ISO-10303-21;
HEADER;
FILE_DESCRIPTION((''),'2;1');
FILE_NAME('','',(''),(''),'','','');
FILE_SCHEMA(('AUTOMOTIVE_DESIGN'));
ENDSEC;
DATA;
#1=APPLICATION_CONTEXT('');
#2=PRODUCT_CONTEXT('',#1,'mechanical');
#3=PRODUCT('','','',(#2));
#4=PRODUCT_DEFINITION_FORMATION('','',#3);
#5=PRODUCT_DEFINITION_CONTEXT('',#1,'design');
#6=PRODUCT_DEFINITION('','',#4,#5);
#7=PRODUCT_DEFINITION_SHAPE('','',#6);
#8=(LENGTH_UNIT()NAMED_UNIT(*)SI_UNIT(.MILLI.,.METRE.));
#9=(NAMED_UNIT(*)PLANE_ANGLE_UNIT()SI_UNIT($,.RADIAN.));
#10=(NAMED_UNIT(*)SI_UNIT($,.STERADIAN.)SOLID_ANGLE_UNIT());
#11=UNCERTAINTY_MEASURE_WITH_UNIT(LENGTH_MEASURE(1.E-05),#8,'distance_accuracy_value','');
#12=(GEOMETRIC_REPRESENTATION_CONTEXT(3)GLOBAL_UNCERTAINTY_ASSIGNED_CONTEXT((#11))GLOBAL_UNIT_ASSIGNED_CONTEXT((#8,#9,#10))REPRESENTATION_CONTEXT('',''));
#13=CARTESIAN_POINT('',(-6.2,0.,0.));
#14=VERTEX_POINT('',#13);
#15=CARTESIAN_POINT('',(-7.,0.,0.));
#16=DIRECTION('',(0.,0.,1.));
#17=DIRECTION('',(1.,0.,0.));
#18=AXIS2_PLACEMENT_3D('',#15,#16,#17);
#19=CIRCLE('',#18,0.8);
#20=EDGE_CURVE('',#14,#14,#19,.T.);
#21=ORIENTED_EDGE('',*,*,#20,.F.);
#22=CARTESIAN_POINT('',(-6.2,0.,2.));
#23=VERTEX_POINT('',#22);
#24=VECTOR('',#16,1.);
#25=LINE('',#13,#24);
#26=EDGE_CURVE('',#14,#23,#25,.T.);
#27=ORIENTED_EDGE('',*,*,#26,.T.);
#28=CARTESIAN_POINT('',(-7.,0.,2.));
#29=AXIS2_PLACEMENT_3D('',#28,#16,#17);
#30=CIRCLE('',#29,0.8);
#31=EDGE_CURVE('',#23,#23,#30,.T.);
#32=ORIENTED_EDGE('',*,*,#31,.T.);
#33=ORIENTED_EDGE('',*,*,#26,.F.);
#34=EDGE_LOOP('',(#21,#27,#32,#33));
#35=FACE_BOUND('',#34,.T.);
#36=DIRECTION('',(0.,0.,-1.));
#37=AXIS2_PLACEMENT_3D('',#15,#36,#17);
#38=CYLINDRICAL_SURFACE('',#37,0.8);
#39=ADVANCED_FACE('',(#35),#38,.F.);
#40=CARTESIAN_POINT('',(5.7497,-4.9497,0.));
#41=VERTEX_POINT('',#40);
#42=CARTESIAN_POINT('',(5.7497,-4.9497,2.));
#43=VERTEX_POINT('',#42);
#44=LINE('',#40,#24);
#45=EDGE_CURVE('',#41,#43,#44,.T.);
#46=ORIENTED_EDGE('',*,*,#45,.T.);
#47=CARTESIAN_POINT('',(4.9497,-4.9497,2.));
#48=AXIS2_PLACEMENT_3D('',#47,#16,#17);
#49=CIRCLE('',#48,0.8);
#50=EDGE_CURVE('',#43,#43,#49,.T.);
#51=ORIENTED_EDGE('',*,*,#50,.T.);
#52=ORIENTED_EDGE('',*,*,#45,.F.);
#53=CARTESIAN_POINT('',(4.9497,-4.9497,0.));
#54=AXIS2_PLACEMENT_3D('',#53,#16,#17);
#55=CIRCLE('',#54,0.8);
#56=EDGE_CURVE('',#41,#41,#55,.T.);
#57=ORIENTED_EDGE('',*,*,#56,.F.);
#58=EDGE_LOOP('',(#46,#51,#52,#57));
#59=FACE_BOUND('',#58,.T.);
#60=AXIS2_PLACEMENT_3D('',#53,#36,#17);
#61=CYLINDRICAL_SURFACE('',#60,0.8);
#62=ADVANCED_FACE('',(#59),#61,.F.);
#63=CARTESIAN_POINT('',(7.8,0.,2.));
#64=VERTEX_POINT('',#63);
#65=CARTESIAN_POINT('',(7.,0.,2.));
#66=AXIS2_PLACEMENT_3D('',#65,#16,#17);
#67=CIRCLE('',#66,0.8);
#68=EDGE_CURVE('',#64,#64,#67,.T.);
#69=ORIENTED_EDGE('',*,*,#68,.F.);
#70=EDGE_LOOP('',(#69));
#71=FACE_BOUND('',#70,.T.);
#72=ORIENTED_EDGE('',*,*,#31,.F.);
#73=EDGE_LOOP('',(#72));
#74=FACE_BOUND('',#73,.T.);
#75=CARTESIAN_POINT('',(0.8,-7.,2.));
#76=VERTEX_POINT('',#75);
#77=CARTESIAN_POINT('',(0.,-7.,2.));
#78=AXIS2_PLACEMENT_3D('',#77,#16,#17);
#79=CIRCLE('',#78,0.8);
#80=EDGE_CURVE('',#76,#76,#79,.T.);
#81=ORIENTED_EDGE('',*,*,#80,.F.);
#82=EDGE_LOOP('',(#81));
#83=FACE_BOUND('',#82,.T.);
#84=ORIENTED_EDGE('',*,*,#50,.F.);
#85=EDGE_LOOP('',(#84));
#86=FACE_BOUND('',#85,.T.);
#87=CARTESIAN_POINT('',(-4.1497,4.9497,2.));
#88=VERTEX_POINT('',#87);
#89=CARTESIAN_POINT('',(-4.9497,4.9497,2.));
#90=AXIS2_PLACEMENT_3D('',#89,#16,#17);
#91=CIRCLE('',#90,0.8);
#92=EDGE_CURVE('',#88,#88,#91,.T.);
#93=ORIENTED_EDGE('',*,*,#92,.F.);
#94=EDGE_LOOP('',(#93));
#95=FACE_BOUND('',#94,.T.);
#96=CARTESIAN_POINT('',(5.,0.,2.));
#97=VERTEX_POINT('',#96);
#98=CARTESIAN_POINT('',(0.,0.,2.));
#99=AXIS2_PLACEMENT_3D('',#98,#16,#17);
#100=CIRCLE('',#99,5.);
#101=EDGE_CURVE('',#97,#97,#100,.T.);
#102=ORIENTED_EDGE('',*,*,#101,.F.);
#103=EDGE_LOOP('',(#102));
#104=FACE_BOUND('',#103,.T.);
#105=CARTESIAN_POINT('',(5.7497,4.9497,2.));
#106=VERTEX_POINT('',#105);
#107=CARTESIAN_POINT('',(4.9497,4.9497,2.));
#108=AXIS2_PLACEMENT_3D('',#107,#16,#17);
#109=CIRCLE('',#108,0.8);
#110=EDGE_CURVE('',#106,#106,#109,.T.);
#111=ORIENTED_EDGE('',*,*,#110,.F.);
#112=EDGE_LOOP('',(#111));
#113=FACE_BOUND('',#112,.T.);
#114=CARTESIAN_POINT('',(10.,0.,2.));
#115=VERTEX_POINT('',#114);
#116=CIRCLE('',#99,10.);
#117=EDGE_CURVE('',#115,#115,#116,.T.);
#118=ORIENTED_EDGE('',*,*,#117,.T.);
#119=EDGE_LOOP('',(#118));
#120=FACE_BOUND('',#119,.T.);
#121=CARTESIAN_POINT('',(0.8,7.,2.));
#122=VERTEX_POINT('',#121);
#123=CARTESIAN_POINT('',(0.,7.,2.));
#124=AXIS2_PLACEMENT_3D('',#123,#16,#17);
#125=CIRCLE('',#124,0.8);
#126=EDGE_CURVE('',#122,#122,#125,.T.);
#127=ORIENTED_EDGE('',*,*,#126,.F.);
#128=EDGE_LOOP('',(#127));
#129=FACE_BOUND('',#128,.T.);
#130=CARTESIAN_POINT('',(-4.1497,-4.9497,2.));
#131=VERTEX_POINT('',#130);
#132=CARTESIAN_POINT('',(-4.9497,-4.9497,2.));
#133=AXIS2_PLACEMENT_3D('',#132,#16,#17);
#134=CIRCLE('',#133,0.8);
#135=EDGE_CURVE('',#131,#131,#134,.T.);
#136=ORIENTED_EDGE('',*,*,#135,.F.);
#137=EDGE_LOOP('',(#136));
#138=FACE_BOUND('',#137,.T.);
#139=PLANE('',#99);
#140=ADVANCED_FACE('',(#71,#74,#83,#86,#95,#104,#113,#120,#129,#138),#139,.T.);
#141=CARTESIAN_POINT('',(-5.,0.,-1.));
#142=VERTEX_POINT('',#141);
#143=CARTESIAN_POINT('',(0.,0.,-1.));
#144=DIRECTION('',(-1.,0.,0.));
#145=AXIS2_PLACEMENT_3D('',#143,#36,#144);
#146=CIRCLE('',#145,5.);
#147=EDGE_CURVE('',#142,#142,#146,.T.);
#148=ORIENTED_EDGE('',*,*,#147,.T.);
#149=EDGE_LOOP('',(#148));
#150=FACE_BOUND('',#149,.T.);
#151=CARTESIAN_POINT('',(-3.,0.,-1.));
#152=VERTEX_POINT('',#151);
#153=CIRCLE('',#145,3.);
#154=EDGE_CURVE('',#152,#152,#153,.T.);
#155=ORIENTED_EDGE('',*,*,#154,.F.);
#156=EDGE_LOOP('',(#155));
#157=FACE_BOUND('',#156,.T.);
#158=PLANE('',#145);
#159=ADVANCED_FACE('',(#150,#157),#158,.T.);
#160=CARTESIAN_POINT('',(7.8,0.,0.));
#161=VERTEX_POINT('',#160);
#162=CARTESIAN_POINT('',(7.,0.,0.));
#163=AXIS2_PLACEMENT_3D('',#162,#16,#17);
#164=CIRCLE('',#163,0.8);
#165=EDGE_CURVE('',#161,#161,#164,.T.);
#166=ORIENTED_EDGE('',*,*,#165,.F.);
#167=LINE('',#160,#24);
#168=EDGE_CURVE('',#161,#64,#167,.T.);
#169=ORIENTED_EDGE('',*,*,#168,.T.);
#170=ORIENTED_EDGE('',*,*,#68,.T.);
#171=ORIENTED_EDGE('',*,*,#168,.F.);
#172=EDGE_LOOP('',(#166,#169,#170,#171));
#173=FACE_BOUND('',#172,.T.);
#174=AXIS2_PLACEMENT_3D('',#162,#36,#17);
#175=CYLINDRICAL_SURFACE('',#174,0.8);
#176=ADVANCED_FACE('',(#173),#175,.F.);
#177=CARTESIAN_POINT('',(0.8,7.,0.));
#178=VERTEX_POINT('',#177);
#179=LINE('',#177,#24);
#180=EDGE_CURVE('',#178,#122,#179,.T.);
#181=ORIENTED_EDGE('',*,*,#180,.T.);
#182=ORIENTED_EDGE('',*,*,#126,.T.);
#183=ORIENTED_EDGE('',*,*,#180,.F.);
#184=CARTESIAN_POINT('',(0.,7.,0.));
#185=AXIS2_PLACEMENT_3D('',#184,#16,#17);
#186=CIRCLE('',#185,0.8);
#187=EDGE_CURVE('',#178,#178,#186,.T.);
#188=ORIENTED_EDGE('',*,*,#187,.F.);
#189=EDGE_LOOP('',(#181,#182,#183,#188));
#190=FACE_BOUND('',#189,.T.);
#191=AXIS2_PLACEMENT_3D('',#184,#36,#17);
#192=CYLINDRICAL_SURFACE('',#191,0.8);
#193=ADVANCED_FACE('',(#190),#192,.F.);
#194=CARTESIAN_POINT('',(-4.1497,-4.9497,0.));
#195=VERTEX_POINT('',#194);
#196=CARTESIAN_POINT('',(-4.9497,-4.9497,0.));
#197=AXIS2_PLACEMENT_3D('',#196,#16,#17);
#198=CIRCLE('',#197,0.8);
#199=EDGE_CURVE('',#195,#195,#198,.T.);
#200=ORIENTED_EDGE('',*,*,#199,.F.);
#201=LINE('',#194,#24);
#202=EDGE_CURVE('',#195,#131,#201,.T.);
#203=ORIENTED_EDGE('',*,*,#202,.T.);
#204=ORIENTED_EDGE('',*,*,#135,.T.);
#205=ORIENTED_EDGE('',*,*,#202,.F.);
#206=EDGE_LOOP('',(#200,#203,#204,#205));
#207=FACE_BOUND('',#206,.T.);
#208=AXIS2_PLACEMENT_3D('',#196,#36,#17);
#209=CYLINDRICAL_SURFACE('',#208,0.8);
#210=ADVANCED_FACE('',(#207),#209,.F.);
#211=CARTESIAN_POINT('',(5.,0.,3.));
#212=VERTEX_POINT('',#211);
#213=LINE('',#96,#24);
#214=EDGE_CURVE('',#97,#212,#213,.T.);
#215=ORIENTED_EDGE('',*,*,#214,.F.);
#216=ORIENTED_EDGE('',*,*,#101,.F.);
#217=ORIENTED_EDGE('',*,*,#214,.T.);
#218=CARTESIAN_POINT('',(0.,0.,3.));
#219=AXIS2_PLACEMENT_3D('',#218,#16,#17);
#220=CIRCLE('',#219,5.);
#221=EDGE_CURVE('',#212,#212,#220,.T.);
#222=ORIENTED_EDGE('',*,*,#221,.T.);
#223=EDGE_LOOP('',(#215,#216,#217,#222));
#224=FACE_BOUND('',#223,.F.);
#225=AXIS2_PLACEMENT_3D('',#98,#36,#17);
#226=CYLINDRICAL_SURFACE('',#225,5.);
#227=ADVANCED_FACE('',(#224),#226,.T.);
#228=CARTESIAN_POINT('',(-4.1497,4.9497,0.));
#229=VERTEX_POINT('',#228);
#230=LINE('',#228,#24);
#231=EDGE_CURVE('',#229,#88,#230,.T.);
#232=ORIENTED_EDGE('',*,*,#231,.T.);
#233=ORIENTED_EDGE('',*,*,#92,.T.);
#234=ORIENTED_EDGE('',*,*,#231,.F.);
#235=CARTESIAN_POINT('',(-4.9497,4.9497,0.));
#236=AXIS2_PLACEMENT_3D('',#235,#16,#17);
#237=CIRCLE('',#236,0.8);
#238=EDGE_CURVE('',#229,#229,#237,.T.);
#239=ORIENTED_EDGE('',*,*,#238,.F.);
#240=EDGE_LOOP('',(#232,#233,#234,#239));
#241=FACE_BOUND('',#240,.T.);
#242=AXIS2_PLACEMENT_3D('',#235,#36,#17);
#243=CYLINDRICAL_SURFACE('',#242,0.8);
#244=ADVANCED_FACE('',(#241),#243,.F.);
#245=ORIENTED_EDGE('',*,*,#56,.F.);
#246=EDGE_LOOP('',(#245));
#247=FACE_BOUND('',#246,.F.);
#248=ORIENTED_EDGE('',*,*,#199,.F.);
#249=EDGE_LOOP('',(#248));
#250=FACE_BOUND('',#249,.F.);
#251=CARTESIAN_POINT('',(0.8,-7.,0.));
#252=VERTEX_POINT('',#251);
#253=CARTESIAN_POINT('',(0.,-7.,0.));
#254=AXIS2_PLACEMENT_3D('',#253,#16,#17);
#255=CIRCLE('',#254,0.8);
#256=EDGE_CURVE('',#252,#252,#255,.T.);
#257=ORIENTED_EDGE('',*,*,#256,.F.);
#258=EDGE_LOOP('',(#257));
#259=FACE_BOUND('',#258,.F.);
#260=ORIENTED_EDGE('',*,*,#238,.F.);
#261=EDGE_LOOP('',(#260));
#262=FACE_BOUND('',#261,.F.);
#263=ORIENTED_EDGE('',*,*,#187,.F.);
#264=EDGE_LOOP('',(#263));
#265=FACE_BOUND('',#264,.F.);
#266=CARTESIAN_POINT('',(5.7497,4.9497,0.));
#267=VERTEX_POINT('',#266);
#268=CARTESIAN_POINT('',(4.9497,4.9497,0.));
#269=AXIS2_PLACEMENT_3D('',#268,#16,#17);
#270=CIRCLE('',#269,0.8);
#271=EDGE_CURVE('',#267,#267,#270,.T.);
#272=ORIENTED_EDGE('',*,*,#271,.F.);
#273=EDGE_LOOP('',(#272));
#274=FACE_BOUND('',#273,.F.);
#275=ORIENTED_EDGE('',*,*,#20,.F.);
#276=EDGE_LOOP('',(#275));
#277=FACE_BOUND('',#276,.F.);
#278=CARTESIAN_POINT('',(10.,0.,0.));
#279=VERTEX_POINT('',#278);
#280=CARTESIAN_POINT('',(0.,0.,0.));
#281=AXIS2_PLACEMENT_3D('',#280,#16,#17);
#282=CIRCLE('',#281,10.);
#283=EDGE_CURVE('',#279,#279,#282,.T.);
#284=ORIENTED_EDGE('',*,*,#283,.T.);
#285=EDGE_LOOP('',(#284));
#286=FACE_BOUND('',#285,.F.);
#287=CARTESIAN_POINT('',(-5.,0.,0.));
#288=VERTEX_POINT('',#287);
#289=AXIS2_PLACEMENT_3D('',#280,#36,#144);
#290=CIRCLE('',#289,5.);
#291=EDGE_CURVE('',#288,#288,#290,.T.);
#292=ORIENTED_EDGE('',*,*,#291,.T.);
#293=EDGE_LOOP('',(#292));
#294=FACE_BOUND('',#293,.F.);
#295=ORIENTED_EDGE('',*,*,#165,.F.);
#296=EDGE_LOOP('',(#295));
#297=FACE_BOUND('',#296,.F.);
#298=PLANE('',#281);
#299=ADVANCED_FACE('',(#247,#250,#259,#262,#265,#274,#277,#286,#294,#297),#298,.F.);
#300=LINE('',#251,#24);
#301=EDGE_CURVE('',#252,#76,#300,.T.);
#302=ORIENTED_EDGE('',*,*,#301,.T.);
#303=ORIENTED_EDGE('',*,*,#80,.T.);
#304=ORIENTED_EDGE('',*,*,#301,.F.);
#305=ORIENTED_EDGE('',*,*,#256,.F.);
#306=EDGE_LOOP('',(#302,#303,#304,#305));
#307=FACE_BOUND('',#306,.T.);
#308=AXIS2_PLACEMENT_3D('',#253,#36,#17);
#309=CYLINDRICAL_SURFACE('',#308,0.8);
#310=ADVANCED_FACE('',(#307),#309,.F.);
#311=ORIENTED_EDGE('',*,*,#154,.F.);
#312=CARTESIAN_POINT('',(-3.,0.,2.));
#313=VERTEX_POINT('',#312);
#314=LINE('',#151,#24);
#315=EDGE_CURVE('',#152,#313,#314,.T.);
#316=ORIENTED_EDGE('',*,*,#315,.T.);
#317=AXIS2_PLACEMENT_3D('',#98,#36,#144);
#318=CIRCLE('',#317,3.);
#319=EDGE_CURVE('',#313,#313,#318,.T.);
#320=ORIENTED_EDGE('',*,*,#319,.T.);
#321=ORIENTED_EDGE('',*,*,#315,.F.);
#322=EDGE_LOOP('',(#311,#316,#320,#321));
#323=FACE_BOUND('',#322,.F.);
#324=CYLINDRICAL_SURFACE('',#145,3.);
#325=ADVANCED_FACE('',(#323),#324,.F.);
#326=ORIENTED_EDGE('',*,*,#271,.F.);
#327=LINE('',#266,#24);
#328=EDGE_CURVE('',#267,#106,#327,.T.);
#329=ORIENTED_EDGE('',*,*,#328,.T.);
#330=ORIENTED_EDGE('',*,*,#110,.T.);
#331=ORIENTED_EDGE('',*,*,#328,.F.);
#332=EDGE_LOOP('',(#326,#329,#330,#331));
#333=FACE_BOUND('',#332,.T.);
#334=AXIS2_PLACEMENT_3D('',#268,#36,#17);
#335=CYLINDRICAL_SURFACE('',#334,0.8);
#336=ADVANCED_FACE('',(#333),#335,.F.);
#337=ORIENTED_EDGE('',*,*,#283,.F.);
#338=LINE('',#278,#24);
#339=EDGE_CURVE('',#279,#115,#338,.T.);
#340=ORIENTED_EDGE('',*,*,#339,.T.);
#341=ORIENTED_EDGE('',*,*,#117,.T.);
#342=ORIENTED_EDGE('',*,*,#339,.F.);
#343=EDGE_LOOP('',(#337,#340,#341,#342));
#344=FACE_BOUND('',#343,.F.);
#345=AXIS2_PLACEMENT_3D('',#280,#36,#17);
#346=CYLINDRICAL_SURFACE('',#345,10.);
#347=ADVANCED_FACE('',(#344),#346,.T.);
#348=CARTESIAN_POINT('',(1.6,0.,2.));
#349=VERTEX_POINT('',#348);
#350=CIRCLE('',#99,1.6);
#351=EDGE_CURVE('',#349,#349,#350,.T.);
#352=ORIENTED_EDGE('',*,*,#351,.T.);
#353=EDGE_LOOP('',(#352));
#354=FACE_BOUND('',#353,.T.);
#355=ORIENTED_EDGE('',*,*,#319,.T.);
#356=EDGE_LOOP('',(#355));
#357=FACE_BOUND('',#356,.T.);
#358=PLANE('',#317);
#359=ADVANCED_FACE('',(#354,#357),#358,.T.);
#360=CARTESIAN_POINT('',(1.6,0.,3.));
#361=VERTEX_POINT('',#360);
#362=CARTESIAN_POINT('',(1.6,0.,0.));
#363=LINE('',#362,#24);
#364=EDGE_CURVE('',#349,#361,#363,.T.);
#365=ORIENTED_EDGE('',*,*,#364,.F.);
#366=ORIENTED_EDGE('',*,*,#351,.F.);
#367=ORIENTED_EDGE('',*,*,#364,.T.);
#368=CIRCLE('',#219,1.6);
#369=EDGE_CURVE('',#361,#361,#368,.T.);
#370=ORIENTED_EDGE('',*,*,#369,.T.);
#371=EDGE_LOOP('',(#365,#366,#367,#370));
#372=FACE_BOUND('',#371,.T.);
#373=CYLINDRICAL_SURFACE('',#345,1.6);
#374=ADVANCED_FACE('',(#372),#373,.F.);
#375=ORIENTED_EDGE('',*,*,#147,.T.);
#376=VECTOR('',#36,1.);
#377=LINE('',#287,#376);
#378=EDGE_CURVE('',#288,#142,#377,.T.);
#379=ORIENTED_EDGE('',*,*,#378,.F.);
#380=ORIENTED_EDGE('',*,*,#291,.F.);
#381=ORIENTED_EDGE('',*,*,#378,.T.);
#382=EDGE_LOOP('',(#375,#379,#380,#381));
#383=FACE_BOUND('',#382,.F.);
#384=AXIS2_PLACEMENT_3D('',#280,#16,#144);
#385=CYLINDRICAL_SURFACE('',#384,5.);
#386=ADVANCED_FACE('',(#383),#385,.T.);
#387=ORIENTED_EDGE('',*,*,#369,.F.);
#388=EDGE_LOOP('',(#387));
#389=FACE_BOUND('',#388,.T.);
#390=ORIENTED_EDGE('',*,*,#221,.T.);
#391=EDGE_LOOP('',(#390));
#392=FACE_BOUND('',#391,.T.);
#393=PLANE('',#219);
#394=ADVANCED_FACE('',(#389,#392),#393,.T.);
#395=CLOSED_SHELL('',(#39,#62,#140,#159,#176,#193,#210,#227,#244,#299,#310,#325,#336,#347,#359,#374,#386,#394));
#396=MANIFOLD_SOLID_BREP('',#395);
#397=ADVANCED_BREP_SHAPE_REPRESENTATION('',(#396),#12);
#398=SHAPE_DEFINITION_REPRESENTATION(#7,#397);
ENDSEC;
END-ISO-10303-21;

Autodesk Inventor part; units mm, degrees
ref_plane "YZ Plane" through (0, 0, 0) normal (1, 0, 0) x (0, 1, 0)
ref_plane "XZ Plane" through (0, 0, 0) normal (0, 1, 0) x (-1, 0, 0)
ref_plane "XY Plane" through (0, 0, 0) normal (0, 0, 1) x (1, 0, 0)
sketch "スケッチ1" plane through (0, 0, 0) normal (0, 0, 1) x (1, 0, 0)
  circle A0 centre (0, 0) radius 10
  circle A1 centre (0, 0) radius 1.6
  circle A2 centre (0, 0) radius 7 construction
  circle A3 centre (0, 7) radius 0.8
  line L0 (0, 7) -> (0, 0) construction
  circle A4 centre (-4.9497, 4.9497) radius 0.8
  circle A5 centre (-7, 0) radius 0.8
  circle A6 centre (-4.9497, -4.9497) radius 0.8
  circle A7 centre (0, -7) radius 0.8
  circle A8 centre (4.9497, -4.9497) radius 0.8
  circle A9 centre (7, 0) radius 0.8
  circle A10 centre (4.9497, 4.9497) radius 0.8
  dimension "d2" = 14
  dimension "d0" = 20
  dimension "d1" = 3.2
  dimension "d3" = 1.6
  dimension "d6" = 360
extrude "押し出し1" add sketch "スケッチ1" along normal blind 2
sketch "スケッチ2" plane through (0, 0, 2) normal (0, 0, 1) x (1, 0, 0)
  circle A0 centre (0, 0) radius 1.6 projected
  circle A1 centre (0, 0) radius 10 projected
  circle A2 centre (0, 0) radius 5
  dimension "d10" = 10
extrude "押し出し2" add sketch "スケッチ2" along normal blind 1 contours A2
sketch "スケッチ3" plane through (0, 0, 0) normal (0, 0, -1) x (-1, 0, 0)
  circle A0 centre (0, 0) radius 1.6 projected
  circle A1 centre (0, 0) radius 10 projected
  circle A2 centre (0, 0) radius 5
  dimension "d13" = 10
extrude "押し出し3" add sketch "スケッチ3" along normal blind 1 contours A2
sketch "スケッチ4" plane through (0, 0, -1) normal (0, 0, -1) x (-1, 0, 0)
  circle A0 centre (0, 0) radius 1.6 projected
  circle A1 centre (0, 0) radius 5 projected
  circle A2 centre (0, 0) radius 3
  dimension "d16" = 6
extrude "押し出し4" cut sketch "スケッチ4" against normal blind 3 contours A2
properties part number "アルミローハイトサーボホーン" material "アルミニウム 2014-T4"
